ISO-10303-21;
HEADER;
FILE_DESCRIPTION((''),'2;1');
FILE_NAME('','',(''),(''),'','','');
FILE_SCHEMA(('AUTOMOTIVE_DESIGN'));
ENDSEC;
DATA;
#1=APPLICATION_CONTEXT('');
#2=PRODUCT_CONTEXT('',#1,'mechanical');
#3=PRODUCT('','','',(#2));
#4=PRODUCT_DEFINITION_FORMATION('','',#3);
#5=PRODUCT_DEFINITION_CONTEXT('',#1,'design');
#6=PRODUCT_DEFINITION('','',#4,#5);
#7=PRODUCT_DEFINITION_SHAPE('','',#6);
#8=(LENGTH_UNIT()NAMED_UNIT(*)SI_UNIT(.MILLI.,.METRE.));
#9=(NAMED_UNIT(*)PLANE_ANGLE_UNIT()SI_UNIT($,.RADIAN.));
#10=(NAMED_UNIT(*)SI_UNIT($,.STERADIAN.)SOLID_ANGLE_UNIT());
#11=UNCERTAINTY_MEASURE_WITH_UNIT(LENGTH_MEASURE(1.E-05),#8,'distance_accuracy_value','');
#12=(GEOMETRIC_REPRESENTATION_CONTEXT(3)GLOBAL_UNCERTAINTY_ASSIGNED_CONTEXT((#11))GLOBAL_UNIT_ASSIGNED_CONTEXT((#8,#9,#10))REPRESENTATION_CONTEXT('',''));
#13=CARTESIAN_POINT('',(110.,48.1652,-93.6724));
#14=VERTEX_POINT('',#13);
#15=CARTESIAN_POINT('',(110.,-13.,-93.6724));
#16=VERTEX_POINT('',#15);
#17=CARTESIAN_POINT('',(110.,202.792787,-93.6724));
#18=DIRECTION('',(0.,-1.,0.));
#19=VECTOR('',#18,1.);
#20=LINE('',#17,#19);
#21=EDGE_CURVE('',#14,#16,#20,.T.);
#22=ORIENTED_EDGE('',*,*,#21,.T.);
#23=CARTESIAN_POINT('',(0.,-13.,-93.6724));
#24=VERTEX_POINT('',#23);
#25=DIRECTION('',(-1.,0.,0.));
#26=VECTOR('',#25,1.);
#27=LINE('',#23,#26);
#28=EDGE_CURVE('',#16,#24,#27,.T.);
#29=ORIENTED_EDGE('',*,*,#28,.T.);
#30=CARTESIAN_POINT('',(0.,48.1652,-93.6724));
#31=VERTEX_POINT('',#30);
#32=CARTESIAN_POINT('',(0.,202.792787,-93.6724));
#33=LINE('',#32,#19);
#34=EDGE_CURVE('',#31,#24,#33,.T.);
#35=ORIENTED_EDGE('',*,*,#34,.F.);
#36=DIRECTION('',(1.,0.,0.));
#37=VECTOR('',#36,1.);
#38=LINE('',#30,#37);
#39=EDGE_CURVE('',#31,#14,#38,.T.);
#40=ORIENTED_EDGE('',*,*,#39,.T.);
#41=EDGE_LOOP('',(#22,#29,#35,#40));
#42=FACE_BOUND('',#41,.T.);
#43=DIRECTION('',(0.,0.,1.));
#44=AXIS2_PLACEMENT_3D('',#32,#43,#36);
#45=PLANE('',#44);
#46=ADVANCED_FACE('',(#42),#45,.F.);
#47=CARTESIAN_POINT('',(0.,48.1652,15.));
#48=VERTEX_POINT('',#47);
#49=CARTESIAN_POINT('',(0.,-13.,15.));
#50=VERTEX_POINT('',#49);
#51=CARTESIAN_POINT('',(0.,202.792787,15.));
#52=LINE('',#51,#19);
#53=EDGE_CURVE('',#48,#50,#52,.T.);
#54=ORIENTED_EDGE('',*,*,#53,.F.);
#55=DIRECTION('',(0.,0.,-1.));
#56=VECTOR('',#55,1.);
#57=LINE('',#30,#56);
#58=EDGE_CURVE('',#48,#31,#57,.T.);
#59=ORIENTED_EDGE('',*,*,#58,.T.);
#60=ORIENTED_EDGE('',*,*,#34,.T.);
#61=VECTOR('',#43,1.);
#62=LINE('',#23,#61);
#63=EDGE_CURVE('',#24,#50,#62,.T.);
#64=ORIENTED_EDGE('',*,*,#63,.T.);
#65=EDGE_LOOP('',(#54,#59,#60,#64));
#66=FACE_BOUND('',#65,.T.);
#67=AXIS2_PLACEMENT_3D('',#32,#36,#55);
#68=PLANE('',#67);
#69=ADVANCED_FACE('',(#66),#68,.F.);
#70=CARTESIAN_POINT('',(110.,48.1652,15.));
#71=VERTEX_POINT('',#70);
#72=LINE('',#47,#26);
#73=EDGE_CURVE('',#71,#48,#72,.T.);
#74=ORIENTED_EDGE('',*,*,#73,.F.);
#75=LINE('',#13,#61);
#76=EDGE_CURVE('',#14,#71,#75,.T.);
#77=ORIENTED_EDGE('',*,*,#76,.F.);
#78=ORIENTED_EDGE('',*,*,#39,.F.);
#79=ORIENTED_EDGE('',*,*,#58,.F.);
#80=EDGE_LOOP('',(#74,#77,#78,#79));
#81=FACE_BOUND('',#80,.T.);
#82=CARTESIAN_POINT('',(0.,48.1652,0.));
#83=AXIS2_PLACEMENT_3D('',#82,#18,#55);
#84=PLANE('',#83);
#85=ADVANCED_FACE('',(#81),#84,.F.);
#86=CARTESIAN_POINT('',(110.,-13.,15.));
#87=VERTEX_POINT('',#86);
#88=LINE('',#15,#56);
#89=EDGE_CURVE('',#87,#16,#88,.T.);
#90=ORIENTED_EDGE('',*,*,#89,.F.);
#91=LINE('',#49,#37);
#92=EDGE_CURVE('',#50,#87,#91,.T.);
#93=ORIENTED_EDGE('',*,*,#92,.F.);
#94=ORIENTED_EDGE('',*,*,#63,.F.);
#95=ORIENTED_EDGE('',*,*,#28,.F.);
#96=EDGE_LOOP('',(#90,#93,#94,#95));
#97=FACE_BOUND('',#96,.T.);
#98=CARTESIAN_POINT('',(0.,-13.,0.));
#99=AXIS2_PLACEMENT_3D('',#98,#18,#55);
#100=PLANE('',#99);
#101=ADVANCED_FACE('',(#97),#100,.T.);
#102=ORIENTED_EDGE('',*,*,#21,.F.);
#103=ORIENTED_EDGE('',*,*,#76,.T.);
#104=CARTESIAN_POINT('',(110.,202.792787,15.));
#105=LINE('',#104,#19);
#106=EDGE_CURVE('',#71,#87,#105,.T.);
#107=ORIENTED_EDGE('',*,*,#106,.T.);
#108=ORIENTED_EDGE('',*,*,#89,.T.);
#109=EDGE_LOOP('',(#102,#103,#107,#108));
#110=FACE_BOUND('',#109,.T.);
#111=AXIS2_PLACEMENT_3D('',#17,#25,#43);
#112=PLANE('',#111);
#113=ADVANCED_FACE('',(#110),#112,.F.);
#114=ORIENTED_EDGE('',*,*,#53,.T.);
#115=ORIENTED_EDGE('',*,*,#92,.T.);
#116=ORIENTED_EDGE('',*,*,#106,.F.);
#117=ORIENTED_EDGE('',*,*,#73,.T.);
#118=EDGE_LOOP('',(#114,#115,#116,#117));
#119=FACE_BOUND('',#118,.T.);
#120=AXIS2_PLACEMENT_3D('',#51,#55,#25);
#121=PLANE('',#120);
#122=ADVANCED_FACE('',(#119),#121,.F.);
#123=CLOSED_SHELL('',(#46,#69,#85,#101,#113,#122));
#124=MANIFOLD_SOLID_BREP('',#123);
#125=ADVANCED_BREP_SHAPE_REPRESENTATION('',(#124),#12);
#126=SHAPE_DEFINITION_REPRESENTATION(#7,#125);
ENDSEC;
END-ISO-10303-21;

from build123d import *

# Parameters (mm, degrees)
SKETCH1_W                     = 110
SKETCH1_H                     = 108.6724
SCROD_AND_CARRIERS_DEPTH      = 48.1652
SCROD_AND_CARRIERS_DEPTH_BACK = 13


with BuildPart() as part:
    # Sketch1 → SCROD-and-carriers (new body, two sides)
    with BuildSketch(Plane(origin=(0, 0, 0), x_dir=(1, 0, 0), z_dir=(0, 1, 0))) as scrod_and_carriers_sk:
        with Locations((55, 39.3362)):
            Rectangle(SKETCH1_W, SKETCH1_H)
    extrude(amount=SCROD_AND_CARRIERS_DEPTH)
    extrude(scrod_and_carriers_sk.sketch, amount=-SCROD_AND_CARRIERS_DEPTH_BACK)


solid = part.part
